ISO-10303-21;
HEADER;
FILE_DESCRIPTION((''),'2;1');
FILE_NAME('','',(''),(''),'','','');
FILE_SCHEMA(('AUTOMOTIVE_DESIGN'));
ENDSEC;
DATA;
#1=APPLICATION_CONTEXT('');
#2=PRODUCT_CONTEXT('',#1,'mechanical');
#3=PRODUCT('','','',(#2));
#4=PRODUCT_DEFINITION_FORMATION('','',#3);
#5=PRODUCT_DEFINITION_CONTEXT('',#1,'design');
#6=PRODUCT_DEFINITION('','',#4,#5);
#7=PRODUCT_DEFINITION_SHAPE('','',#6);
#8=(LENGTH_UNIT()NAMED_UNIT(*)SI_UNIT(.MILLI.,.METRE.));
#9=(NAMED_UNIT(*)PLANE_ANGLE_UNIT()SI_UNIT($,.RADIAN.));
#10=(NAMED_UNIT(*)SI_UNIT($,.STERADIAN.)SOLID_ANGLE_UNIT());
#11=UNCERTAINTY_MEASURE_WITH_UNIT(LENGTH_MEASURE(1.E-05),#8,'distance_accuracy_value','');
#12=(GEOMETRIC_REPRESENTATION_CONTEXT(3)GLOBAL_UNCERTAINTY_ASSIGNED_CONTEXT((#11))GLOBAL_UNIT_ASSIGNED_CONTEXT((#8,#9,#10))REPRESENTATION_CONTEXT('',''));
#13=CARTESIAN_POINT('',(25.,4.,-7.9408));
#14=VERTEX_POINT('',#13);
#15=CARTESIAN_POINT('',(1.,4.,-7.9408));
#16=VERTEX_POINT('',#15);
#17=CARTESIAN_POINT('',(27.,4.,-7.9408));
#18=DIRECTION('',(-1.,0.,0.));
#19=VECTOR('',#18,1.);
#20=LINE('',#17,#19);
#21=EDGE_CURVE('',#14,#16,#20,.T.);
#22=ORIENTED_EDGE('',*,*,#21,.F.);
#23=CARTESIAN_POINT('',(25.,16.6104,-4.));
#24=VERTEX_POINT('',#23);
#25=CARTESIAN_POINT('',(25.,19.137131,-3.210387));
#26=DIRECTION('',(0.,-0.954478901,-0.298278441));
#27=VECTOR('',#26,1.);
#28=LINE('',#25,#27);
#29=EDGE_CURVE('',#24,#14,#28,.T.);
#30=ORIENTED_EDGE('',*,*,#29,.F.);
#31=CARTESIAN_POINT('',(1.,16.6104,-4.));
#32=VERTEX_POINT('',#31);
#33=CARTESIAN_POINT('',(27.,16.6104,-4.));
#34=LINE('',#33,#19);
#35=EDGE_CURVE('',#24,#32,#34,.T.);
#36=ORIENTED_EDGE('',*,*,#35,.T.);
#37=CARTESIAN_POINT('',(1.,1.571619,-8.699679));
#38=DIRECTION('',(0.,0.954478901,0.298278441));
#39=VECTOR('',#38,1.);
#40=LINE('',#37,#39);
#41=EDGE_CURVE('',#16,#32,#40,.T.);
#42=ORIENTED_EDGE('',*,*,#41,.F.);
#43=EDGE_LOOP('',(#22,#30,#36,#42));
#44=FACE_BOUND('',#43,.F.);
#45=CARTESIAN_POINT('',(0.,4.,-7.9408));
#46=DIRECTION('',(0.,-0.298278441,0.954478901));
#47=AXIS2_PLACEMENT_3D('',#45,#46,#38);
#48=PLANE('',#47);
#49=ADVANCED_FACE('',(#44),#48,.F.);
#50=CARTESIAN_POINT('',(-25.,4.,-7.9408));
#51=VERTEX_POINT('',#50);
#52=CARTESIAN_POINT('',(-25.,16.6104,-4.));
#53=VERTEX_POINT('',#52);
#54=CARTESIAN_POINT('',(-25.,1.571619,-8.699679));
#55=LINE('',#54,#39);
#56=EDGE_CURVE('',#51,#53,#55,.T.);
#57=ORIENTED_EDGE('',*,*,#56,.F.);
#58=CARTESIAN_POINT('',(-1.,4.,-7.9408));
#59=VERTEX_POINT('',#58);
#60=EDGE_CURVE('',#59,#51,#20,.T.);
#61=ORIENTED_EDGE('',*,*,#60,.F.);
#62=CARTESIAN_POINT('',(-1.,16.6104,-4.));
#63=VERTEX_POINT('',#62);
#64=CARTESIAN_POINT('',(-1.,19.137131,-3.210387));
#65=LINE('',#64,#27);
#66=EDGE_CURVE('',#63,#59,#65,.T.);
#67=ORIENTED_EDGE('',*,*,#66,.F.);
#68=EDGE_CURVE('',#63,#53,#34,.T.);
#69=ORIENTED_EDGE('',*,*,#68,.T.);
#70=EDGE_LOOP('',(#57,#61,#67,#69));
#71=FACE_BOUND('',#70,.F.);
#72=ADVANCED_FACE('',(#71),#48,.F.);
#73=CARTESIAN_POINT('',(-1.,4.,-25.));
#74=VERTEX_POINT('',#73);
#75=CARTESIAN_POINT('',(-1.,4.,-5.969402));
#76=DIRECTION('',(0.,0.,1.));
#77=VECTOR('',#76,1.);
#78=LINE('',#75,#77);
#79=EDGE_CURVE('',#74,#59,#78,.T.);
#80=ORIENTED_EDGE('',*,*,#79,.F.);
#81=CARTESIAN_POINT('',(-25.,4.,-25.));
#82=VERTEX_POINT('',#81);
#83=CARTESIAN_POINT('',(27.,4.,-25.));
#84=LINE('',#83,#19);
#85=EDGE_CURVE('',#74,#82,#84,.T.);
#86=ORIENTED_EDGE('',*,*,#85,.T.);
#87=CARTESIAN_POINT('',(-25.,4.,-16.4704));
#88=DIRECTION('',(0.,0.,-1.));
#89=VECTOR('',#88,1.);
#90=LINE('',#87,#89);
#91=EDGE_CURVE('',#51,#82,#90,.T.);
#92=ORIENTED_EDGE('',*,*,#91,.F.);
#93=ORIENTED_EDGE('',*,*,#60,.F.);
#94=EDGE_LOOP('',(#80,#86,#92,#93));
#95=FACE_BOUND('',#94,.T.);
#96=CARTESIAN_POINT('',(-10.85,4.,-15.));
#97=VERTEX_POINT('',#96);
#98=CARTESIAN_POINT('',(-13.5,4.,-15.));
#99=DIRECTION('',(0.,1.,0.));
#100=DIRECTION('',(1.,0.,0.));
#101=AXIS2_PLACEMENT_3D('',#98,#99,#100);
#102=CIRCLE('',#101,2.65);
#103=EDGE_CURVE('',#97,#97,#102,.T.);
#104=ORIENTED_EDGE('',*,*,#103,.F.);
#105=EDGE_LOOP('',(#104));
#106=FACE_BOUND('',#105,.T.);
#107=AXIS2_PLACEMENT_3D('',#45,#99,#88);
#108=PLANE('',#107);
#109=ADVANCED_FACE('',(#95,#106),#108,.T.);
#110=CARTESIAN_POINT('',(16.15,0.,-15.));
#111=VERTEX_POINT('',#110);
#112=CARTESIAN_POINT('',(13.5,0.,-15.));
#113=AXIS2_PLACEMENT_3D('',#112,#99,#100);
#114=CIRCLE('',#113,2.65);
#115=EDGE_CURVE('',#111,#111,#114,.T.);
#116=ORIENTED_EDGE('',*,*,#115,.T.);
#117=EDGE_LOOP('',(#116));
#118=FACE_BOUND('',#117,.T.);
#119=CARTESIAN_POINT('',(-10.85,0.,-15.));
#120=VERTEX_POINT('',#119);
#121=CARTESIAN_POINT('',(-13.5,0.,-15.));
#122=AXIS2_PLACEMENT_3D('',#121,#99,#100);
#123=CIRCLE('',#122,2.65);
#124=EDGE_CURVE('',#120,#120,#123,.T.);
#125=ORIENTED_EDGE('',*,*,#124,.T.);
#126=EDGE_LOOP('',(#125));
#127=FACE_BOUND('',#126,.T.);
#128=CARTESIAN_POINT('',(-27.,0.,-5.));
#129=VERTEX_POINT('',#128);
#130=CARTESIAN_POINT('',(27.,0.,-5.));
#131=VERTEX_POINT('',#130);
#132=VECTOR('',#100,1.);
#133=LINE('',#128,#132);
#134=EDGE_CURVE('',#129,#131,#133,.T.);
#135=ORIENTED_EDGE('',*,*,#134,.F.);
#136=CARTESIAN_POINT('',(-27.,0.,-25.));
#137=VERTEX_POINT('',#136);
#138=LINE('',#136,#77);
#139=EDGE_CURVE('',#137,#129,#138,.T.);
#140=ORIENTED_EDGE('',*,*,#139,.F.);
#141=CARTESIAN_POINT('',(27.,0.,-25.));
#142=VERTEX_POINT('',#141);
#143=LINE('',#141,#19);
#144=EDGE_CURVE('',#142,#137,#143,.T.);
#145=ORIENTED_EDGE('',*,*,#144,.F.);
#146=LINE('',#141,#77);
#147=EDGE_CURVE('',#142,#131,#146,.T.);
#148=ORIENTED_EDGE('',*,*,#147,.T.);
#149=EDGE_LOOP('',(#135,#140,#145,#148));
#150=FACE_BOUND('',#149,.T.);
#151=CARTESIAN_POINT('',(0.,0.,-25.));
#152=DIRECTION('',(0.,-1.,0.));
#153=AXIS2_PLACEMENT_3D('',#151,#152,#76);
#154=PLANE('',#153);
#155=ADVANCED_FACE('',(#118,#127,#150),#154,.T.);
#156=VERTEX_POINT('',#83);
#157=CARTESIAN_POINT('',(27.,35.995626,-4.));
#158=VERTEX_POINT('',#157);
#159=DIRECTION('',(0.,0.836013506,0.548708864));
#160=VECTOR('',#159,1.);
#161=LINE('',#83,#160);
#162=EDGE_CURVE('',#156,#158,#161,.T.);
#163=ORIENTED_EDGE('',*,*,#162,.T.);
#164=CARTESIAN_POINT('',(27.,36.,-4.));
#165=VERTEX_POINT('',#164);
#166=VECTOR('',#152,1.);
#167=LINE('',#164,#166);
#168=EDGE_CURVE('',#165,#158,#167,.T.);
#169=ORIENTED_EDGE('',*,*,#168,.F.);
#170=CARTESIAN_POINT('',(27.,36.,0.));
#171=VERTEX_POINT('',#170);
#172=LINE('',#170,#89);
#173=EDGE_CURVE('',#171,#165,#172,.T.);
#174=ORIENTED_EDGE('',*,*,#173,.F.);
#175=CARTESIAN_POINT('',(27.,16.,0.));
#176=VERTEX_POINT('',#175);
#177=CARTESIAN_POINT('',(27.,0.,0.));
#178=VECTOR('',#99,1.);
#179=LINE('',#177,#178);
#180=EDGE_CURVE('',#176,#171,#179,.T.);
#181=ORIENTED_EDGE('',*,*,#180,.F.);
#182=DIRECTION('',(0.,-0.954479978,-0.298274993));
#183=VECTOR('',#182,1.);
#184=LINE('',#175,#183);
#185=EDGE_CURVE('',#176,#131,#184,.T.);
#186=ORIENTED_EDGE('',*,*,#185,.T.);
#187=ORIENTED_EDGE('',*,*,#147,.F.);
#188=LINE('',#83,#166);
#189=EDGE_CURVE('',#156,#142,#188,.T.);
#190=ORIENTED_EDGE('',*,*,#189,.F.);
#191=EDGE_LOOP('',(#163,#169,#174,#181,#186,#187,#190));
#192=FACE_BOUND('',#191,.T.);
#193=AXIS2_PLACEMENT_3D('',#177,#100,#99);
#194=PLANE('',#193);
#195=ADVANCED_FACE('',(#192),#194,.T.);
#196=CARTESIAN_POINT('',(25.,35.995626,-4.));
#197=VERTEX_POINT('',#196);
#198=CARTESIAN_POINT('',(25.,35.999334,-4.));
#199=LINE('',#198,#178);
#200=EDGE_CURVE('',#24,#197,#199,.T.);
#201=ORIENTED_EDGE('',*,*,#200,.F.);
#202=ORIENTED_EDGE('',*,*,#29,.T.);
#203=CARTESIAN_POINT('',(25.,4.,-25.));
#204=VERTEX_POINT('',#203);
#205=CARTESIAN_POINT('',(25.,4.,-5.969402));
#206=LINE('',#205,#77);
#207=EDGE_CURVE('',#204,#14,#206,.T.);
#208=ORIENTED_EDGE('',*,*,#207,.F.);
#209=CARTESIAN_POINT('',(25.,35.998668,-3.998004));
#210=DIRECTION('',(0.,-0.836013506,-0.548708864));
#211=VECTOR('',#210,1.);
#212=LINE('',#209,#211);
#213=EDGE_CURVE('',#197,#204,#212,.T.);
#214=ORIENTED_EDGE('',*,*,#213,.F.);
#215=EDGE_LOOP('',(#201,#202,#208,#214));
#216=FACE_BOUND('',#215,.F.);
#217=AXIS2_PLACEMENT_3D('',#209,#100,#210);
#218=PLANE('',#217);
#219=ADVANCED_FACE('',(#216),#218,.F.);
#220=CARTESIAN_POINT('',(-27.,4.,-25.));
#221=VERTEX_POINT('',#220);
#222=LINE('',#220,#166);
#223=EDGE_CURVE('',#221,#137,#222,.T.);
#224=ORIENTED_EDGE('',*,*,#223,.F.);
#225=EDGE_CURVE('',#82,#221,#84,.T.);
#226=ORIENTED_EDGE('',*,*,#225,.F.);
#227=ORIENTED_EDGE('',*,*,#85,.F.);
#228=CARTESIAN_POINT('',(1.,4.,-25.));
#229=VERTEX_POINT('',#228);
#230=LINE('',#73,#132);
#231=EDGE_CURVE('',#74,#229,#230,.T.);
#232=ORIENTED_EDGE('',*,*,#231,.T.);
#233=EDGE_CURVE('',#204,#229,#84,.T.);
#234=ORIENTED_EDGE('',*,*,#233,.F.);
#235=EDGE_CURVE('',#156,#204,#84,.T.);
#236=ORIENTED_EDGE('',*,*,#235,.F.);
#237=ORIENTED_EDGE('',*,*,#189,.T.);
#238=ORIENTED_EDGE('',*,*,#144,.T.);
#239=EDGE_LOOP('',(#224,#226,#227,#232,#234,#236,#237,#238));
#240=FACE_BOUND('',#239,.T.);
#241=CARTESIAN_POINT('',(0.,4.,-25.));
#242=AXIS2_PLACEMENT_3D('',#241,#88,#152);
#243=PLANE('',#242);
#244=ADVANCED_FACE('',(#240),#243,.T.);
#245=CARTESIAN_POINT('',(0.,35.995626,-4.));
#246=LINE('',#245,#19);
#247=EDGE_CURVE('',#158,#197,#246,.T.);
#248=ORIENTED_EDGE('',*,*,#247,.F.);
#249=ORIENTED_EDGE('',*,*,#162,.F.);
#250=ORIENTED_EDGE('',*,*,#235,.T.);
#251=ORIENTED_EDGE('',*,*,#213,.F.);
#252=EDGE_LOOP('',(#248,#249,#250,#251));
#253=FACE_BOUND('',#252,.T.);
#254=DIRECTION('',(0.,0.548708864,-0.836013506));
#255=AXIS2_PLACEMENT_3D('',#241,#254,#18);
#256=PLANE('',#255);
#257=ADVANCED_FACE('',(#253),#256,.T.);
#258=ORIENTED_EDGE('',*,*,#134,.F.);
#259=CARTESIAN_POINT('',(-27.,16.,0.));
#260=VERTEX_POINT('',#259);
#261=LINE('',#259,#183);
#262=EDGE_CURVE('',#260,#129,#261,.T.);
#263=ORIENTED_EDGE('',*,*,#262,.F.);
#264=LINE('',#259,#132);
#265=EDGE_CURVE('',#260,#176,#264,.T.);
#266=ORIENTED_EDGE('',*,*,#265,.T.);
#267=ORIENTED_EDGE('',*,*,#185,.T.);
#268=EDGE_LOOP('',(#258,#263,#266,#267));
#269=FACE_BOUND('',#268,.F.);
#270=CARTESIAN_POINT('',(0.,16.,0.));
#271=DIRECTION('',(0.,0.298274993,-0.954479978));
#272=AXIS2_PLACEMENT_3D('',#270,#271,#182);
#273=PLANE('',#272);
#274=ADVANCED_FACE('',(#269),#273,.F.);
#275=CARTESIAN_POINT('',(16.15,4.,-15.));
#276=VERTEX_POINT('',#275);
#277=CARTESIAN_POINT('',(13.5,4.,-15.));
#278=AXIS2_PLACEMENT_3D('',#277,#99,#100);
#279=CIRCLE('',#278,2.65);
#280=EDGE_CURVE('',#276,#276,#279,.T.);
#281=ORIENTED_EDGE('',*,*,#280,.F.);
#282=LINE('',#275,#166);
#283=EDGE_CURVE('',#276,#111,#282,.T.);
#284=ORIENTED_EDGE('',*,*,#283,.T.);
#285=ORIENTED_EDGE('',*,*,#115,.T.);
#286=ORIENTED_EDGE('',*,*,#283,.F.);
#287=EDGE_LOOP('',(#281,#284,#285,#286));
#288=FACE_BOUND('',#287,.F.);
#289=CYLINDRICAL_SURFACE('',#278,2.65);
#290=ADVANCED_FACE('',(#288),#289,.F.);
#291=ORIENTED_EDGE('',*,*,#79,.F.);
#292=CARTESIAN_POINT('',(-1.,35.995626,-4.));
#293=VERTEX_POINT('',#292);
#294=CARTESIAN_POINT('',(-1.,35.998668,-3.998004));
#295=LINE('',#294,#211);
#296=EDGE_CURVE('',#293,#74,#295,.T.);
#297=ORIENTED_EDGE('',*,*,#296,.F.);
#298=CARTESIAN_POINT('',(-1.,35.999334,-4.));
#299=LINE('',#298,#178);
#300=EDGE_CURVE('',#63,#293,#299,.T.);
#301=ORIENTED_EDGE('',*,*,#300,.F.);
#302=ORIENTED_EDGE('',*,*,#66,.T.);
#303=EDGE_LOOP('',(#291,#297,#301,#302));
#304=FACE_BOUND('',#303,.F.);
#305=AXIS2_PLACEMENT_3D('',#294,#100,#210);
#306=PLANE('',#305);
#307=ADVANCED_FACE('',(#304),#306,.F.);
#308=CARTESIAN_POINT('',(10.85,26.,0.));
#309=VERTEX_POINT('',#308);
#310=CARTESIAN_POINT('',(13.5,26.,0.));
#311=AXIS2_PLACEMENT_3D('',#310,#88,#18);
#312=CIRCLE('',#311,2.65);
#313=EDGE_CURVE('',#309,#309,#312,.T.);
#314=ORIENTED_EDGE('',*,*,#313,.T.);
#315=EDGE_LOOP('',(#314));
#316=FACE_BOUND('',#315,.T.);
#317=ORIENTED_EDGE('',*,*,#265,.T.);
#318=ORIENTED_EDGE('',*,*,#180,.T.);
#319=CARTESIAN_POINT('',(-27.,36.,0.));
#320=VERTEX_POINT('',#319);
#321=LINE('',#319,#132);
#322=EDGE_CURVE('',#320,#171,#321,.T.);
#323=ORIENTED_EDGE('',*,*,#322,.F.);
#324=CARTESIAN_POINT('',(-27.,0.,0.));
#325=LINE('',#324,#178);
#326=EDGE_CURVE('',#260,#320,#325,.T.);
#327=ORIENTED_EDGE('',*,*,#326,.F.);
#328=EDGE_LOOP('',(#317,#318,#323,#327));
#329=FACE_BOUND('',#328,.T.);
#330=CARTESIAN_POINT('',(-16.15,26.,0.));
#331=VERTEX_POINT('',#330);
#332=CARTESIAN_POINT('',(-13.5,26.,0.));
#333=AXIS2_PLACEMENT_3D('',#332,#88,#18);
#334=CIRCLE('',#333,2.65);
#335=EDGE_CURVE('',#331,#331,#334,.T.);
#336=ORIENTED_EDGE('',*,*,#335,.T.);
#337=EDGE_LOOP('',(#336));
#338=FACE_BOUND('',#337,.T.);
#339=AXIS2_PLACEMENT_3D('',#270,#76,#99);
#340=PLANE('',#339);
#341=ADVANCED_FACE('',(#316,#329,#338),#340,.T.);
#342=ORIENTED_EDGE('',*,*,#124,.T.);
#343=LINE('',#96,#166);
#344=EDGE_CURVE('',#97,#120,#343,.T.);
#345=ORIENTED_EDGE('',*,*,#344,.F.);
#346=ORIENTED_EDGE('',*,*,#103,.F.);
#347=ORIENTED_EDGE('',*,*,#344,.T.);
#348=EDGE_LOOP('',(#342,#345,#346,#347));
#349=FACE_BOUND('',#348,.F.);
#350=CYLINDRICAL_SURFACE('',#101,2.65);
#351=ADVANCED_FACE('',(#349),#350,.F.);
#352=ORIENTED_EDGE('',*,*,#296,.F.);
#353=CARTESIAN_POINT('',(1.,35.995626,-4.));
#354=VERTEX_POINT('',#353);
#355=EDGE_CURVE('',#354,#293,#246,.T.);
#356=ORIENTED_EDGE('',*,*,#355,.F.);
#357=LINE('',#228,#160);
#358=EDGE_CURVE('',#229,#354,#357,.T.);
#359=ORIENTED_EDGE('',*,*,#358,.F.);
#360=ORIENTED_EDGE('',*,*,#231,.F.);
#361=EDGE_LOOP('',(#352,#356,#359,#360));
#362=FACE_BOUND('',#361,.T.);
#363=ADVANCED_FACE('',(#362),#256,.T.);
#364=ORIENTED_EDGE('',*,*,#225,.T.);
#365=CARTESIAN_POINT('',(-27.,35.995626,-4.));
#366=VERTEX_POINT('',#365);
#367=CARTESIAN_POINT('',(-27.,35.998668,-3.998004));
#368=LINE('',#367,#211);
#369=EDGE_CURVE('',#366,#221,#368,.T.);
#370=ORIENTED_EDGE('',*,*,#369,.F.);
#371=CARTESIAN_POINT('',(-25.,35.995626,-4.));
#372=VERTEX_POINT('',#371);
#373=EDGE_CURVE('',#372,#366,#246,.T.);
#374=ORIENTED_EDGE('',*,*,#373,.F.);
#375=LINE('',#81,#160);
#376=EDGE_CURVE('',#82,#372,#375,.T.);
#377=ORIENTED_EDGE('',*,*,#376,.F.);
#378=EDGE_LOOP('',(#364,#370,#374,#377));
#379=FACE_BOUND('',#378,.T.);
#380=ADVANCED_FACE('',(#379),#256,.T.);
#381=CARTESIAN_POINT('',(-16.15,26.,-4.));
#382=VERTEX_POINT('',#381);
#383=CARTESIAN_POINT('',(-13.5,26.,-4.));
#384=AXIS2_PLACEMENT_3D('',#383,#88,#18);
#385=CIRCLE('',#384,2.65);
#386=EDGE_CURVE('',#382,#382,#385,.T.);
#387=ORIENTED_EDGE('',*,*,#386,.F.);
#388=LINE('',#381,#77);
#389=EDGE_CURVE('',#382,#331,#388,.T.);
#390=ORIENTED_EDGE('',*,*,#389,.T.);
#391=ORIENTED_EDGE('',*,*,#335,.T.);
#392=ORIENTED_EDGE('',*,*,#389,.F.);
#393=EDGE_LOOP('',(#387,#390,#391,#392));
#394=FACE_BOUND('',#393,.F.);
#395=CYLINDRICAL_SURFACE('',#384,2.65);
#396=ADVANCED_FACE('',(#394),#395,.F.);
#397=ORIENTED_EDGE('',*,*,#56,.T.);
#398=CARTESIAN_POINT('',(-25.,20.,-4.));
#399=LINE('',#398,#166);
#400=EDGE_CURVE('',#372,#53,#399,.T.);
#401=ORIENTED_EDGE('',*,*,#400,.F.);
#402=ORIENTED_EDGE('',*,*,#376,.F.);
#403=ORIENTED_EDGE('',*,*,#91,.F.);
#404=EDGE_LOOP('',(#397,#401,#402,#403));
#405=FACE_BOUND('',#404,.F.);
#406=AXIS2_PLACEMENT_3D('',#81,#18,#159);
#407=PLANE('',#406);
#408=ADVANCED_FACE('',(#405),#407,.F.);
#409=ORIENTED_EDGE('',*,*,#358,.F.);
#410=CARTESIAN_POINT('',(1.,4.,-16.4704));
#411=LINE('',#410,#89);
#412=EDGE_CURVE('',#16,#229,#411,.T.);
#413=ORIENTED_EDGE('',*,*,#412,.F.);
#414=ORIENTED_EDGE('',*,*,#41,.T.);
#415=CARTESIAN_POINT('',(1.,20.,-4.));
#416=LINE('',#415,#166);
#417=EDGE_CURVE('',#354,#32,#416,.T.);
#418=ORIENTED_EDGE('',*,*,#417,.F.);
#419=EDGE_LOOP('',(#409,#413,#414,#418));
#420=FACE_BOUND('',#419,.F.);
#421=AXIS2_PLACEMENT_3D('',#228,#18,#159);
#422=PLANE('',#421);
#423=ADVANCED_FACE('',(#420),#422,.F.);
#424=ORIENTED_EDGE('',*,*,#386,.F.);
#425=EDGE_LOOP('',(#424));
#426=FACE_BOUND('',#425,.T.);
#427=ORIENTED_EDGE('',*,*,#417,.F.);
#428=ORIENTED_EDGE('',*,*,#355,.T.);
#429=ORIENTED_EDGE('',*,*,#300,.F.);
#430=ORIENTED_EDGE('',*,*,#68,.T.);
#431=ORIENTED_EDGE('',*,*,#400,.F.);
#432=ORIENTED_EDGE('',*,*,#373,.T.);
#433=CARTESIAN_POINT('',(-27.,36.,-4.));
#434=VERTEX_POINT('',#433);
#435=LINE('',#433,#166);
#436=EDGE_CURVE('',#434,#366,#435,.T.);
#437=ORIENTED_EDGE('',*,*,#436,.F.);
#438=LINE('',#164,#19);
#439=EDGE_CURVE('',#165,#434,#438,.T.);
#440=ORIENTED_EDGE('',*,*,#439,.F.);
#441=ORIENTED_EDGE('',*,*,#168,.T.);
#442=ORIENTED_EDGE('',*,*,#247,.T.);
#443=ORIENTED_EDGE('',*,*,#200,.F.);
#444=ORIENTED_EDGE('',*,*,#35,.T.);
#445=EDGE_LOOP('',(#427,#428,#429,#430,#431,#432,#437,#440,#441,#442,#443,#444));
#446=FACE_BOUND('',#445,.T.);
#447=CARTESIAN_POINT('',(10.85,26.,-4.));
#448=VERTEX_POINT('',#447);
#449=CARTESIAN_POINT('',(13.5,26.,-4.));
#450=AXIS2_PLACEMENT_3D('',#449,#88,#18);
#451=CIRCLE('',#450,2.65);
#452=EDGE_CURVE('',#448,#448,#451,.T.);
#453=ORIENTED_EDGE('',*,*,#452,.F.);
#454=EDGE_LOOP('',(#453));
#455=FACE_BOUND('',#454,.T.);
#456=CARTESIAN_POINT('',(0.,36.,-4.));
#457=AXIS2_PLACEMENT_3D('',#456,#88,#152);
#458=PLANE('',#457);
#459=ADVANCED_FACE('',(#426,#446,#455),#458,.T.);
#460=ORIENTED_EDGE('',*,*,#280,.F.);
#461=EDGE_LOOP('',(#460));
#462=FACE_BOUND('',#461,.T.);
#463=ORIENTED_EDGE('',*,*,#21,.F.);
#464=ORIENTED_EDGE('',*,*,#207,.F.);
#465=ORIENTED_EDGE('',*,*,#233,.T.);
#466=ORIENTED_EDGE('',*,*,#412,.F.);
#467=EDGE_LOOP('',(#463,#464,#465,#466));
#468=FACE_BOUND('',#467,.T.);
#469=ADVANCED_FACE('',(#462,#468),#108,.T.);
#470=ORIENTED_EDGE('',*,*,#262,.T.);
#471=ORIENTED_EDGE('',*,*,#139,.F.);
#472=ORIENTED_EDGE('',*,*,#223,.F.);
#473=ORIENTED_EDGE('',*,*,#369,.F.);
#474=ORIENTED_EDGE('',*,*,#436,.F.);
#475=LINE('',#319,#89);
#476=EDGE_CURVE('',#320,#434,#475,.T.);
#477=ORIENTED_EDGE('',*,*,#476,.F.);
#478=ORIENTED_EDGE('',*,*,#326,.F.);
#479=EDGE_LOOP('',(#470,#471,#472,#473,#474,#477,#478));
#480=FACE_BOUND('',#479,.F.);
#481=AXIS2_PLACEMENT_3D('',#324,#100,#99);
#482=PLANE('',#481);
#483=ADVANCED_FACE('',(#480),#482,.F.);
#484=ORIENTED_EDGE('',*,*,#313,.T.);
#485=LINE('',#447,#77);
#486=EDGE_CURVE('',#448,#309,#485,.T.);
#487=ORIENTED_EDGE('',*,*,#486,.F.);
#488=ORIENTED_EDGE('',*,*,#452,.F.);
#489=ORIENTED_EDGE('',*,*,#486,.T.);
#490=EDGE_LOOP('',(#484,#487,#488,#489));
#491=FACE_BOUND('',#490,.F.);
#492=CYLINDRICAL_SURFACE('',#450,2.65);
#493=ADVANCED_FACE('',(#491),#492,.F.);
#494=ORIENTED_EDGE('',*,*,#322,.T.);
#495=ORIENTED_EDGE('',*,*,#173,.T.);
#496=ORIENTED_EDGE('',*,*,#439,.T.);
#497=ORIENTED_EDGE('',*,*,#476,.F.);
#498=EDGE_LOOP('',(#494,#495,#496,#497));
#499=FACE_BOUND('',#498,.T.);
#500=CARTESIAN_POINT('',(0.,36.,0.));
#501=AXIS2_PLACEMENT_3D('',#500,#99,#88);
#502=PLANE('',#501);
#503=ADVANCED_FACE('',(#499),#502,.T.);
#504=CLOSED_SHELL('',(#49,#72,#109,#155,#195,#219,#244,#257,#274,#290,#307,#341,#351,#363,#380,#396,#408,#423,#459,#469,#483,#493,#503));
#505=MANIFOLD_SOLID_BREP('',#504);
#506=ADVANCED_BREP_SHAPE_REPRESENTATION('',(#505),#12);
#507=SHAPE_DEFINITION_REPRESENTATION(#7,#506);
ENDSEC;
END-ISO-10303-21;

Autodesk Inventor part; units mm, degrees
ref_plane "YZ Plane" through (0, 0, 0) normal (1, 0, 0) x (0, 1, 0)
ref_plane "XZ Plane" through (0, 0, 0) normal (0, 1, 0) x (-1, 0, 0)
sketch "Sketch7" plane through (0, 0, 0) normal (1, 0, 0) x (0, 1, 0)
  line L0 (36, 0) -> (36, -4)
  line L1 (36, -4) -> (4, -25)
  line L2 (4, -25) -> (0, -25)
  line L3 (0, -25) -> (0, 0)
  line L4 (0, 0) -> (36, 0)
  line L5 (36, -4) -> (16.6104, -4)
  line L6 (4, -7.9408) -> (4, -25)
  line L7 (16, 0) -> (0, -5)
  line L8 (4, -7.9408) -> (16.6104, -4)
  dimension "d35" = 4
  dimension "d36" = 25
  dimension "d37" = 36
  dimension "d43" = 4
  dimension "d44" = 20
  dimension "d45" = 20
extrude "Extrusion6" add sketch "Sketch7" along normal mid plane 54 contours L0 L5 L8 L6 L2 L3 L7 L4
sketch "Sketch8" plane through (27, 36, -4) normal (0, 0, -1) x (-1, 0, 0)
  line L0 (0, -10) -> (13.5, -10) construction
  line L1 (13.5, -10) -> (27, -10) construction
  line L2 (27, -10) -> (40.5, -10) construction
  line L3 (40.5, -10) -> (54, -10) construction
  circle A0 centre (13.5, -10) radius 2.65
  circle A1 centre (40.5, -10) radius 2.65
  line L4 (0, -19.3896) -> (0, 0) projected
  line L5 (54, 0) -> (54, -19.3896) projected
  line L6 (54, 0) -> (0, 0) projected
  point P0 (27, -36)
  dimension "d46" = 5.3
  dimension "d55" = 10
extrude "Extrusion7" cut sketch "Sketch8" against normal through all
sketch "Sketch9" plane through (-27, 4, -7.9408) normal (0, 1, 0) x (1, 0, 0)
  line L0 (54, 17.0592) -> (54, 0) projected
  line L1 (54, 7.0592) -> (40.5, 7.0592) construction
  line L2 (40.5, 7.0592) -> (27, 7.0592) construction
  line L3 (27, 7.0592) -> (13.5, 7.0592) construction
  line L4 (13.5, 7.0592) -> (0, 7.0592) construction
  line L5 (0, 0) -> (0, 17.0592) projected
  circle A0 centre (40.5, 7.0592) radius 2.65
  circle A1 centre (13.5, 7.0592) radius 2.65
  line L6 (54, 17.0592) -> (0, 17.0592) projected
  point P0 (27, -7.9408)
  dimension "d49" = 5.3
  dimension "d56" = 10
  dimension "d57" = 27
extrude "Extrusion8" cut sketch "Sketch9" against normal blind 10
ref_plane "Work Plane4" through (0, 4, -25) normal (0, 0.5487, -0.836) x (-1, 0, 0)
sketch "Sketch10" plane through (0, 4, -25) normal (0, 0.5487, -0.836) x (-1, 0, 0)
  line L0 (-27, 38.2753) -> (-25, 38.2753)
  line L1 (-25, 38.2753) -> (-25, 0)
  line L2 (-25, 0) -> (-27, 0)
  line L3 (-27, 0) -> (-27, 38.2753)
  line L4 (27, 0) -> (25, 0)
  line L5 (25, 0) -> (25, 38.2753)
  line L6 (25, 38.2753) -> (27, 38.2753)
  line L7 (27, 38.2753) -> (27, 0)
  line L8 (-1, 38.2753) -> (1, 38.2753)
  line L9 (1, 38.2753) -> (1, 0)
  line L10 (1, 0) -> (-1, 0)
  line L11 (-1, 0) -> (-1, 38.2753)
  line L12 (27, 38.2753) -> (-27, 38.2753) projected
  line L13 (-27, 0) -> (27, 0) projected
  point P0 (0, 10.3722)
  point P1 (0, 38.2753)
  dimension "d52" = 2
extrude "Extrusion9" add sketch "Sketch10" against normal up to next contours L0 L1 L2 L3 | L8 L9 L10 L11 | L6 L7 L4 L5
equation "\"BendRadius\" = Thickness"
equation "\"BendReliefWidth\" = Thickness"
equation "\"BendReliefDepth\" = 0.5 * Thickness"
equation "\"CornerReliefSize\" = 4 * Thickness"
equation "\"MinimumRemnant\" = 2 * Thickness"
equation "\"TransitionRadius\" = BendRadius"
equation "\"JacobiRadiusSize\" = Thickness"
equation "\"GapSize\" = Thickness"
equation "\"Thickness\" = 0.5"
properties part number "Soporte Cajas" material "Rubber"
